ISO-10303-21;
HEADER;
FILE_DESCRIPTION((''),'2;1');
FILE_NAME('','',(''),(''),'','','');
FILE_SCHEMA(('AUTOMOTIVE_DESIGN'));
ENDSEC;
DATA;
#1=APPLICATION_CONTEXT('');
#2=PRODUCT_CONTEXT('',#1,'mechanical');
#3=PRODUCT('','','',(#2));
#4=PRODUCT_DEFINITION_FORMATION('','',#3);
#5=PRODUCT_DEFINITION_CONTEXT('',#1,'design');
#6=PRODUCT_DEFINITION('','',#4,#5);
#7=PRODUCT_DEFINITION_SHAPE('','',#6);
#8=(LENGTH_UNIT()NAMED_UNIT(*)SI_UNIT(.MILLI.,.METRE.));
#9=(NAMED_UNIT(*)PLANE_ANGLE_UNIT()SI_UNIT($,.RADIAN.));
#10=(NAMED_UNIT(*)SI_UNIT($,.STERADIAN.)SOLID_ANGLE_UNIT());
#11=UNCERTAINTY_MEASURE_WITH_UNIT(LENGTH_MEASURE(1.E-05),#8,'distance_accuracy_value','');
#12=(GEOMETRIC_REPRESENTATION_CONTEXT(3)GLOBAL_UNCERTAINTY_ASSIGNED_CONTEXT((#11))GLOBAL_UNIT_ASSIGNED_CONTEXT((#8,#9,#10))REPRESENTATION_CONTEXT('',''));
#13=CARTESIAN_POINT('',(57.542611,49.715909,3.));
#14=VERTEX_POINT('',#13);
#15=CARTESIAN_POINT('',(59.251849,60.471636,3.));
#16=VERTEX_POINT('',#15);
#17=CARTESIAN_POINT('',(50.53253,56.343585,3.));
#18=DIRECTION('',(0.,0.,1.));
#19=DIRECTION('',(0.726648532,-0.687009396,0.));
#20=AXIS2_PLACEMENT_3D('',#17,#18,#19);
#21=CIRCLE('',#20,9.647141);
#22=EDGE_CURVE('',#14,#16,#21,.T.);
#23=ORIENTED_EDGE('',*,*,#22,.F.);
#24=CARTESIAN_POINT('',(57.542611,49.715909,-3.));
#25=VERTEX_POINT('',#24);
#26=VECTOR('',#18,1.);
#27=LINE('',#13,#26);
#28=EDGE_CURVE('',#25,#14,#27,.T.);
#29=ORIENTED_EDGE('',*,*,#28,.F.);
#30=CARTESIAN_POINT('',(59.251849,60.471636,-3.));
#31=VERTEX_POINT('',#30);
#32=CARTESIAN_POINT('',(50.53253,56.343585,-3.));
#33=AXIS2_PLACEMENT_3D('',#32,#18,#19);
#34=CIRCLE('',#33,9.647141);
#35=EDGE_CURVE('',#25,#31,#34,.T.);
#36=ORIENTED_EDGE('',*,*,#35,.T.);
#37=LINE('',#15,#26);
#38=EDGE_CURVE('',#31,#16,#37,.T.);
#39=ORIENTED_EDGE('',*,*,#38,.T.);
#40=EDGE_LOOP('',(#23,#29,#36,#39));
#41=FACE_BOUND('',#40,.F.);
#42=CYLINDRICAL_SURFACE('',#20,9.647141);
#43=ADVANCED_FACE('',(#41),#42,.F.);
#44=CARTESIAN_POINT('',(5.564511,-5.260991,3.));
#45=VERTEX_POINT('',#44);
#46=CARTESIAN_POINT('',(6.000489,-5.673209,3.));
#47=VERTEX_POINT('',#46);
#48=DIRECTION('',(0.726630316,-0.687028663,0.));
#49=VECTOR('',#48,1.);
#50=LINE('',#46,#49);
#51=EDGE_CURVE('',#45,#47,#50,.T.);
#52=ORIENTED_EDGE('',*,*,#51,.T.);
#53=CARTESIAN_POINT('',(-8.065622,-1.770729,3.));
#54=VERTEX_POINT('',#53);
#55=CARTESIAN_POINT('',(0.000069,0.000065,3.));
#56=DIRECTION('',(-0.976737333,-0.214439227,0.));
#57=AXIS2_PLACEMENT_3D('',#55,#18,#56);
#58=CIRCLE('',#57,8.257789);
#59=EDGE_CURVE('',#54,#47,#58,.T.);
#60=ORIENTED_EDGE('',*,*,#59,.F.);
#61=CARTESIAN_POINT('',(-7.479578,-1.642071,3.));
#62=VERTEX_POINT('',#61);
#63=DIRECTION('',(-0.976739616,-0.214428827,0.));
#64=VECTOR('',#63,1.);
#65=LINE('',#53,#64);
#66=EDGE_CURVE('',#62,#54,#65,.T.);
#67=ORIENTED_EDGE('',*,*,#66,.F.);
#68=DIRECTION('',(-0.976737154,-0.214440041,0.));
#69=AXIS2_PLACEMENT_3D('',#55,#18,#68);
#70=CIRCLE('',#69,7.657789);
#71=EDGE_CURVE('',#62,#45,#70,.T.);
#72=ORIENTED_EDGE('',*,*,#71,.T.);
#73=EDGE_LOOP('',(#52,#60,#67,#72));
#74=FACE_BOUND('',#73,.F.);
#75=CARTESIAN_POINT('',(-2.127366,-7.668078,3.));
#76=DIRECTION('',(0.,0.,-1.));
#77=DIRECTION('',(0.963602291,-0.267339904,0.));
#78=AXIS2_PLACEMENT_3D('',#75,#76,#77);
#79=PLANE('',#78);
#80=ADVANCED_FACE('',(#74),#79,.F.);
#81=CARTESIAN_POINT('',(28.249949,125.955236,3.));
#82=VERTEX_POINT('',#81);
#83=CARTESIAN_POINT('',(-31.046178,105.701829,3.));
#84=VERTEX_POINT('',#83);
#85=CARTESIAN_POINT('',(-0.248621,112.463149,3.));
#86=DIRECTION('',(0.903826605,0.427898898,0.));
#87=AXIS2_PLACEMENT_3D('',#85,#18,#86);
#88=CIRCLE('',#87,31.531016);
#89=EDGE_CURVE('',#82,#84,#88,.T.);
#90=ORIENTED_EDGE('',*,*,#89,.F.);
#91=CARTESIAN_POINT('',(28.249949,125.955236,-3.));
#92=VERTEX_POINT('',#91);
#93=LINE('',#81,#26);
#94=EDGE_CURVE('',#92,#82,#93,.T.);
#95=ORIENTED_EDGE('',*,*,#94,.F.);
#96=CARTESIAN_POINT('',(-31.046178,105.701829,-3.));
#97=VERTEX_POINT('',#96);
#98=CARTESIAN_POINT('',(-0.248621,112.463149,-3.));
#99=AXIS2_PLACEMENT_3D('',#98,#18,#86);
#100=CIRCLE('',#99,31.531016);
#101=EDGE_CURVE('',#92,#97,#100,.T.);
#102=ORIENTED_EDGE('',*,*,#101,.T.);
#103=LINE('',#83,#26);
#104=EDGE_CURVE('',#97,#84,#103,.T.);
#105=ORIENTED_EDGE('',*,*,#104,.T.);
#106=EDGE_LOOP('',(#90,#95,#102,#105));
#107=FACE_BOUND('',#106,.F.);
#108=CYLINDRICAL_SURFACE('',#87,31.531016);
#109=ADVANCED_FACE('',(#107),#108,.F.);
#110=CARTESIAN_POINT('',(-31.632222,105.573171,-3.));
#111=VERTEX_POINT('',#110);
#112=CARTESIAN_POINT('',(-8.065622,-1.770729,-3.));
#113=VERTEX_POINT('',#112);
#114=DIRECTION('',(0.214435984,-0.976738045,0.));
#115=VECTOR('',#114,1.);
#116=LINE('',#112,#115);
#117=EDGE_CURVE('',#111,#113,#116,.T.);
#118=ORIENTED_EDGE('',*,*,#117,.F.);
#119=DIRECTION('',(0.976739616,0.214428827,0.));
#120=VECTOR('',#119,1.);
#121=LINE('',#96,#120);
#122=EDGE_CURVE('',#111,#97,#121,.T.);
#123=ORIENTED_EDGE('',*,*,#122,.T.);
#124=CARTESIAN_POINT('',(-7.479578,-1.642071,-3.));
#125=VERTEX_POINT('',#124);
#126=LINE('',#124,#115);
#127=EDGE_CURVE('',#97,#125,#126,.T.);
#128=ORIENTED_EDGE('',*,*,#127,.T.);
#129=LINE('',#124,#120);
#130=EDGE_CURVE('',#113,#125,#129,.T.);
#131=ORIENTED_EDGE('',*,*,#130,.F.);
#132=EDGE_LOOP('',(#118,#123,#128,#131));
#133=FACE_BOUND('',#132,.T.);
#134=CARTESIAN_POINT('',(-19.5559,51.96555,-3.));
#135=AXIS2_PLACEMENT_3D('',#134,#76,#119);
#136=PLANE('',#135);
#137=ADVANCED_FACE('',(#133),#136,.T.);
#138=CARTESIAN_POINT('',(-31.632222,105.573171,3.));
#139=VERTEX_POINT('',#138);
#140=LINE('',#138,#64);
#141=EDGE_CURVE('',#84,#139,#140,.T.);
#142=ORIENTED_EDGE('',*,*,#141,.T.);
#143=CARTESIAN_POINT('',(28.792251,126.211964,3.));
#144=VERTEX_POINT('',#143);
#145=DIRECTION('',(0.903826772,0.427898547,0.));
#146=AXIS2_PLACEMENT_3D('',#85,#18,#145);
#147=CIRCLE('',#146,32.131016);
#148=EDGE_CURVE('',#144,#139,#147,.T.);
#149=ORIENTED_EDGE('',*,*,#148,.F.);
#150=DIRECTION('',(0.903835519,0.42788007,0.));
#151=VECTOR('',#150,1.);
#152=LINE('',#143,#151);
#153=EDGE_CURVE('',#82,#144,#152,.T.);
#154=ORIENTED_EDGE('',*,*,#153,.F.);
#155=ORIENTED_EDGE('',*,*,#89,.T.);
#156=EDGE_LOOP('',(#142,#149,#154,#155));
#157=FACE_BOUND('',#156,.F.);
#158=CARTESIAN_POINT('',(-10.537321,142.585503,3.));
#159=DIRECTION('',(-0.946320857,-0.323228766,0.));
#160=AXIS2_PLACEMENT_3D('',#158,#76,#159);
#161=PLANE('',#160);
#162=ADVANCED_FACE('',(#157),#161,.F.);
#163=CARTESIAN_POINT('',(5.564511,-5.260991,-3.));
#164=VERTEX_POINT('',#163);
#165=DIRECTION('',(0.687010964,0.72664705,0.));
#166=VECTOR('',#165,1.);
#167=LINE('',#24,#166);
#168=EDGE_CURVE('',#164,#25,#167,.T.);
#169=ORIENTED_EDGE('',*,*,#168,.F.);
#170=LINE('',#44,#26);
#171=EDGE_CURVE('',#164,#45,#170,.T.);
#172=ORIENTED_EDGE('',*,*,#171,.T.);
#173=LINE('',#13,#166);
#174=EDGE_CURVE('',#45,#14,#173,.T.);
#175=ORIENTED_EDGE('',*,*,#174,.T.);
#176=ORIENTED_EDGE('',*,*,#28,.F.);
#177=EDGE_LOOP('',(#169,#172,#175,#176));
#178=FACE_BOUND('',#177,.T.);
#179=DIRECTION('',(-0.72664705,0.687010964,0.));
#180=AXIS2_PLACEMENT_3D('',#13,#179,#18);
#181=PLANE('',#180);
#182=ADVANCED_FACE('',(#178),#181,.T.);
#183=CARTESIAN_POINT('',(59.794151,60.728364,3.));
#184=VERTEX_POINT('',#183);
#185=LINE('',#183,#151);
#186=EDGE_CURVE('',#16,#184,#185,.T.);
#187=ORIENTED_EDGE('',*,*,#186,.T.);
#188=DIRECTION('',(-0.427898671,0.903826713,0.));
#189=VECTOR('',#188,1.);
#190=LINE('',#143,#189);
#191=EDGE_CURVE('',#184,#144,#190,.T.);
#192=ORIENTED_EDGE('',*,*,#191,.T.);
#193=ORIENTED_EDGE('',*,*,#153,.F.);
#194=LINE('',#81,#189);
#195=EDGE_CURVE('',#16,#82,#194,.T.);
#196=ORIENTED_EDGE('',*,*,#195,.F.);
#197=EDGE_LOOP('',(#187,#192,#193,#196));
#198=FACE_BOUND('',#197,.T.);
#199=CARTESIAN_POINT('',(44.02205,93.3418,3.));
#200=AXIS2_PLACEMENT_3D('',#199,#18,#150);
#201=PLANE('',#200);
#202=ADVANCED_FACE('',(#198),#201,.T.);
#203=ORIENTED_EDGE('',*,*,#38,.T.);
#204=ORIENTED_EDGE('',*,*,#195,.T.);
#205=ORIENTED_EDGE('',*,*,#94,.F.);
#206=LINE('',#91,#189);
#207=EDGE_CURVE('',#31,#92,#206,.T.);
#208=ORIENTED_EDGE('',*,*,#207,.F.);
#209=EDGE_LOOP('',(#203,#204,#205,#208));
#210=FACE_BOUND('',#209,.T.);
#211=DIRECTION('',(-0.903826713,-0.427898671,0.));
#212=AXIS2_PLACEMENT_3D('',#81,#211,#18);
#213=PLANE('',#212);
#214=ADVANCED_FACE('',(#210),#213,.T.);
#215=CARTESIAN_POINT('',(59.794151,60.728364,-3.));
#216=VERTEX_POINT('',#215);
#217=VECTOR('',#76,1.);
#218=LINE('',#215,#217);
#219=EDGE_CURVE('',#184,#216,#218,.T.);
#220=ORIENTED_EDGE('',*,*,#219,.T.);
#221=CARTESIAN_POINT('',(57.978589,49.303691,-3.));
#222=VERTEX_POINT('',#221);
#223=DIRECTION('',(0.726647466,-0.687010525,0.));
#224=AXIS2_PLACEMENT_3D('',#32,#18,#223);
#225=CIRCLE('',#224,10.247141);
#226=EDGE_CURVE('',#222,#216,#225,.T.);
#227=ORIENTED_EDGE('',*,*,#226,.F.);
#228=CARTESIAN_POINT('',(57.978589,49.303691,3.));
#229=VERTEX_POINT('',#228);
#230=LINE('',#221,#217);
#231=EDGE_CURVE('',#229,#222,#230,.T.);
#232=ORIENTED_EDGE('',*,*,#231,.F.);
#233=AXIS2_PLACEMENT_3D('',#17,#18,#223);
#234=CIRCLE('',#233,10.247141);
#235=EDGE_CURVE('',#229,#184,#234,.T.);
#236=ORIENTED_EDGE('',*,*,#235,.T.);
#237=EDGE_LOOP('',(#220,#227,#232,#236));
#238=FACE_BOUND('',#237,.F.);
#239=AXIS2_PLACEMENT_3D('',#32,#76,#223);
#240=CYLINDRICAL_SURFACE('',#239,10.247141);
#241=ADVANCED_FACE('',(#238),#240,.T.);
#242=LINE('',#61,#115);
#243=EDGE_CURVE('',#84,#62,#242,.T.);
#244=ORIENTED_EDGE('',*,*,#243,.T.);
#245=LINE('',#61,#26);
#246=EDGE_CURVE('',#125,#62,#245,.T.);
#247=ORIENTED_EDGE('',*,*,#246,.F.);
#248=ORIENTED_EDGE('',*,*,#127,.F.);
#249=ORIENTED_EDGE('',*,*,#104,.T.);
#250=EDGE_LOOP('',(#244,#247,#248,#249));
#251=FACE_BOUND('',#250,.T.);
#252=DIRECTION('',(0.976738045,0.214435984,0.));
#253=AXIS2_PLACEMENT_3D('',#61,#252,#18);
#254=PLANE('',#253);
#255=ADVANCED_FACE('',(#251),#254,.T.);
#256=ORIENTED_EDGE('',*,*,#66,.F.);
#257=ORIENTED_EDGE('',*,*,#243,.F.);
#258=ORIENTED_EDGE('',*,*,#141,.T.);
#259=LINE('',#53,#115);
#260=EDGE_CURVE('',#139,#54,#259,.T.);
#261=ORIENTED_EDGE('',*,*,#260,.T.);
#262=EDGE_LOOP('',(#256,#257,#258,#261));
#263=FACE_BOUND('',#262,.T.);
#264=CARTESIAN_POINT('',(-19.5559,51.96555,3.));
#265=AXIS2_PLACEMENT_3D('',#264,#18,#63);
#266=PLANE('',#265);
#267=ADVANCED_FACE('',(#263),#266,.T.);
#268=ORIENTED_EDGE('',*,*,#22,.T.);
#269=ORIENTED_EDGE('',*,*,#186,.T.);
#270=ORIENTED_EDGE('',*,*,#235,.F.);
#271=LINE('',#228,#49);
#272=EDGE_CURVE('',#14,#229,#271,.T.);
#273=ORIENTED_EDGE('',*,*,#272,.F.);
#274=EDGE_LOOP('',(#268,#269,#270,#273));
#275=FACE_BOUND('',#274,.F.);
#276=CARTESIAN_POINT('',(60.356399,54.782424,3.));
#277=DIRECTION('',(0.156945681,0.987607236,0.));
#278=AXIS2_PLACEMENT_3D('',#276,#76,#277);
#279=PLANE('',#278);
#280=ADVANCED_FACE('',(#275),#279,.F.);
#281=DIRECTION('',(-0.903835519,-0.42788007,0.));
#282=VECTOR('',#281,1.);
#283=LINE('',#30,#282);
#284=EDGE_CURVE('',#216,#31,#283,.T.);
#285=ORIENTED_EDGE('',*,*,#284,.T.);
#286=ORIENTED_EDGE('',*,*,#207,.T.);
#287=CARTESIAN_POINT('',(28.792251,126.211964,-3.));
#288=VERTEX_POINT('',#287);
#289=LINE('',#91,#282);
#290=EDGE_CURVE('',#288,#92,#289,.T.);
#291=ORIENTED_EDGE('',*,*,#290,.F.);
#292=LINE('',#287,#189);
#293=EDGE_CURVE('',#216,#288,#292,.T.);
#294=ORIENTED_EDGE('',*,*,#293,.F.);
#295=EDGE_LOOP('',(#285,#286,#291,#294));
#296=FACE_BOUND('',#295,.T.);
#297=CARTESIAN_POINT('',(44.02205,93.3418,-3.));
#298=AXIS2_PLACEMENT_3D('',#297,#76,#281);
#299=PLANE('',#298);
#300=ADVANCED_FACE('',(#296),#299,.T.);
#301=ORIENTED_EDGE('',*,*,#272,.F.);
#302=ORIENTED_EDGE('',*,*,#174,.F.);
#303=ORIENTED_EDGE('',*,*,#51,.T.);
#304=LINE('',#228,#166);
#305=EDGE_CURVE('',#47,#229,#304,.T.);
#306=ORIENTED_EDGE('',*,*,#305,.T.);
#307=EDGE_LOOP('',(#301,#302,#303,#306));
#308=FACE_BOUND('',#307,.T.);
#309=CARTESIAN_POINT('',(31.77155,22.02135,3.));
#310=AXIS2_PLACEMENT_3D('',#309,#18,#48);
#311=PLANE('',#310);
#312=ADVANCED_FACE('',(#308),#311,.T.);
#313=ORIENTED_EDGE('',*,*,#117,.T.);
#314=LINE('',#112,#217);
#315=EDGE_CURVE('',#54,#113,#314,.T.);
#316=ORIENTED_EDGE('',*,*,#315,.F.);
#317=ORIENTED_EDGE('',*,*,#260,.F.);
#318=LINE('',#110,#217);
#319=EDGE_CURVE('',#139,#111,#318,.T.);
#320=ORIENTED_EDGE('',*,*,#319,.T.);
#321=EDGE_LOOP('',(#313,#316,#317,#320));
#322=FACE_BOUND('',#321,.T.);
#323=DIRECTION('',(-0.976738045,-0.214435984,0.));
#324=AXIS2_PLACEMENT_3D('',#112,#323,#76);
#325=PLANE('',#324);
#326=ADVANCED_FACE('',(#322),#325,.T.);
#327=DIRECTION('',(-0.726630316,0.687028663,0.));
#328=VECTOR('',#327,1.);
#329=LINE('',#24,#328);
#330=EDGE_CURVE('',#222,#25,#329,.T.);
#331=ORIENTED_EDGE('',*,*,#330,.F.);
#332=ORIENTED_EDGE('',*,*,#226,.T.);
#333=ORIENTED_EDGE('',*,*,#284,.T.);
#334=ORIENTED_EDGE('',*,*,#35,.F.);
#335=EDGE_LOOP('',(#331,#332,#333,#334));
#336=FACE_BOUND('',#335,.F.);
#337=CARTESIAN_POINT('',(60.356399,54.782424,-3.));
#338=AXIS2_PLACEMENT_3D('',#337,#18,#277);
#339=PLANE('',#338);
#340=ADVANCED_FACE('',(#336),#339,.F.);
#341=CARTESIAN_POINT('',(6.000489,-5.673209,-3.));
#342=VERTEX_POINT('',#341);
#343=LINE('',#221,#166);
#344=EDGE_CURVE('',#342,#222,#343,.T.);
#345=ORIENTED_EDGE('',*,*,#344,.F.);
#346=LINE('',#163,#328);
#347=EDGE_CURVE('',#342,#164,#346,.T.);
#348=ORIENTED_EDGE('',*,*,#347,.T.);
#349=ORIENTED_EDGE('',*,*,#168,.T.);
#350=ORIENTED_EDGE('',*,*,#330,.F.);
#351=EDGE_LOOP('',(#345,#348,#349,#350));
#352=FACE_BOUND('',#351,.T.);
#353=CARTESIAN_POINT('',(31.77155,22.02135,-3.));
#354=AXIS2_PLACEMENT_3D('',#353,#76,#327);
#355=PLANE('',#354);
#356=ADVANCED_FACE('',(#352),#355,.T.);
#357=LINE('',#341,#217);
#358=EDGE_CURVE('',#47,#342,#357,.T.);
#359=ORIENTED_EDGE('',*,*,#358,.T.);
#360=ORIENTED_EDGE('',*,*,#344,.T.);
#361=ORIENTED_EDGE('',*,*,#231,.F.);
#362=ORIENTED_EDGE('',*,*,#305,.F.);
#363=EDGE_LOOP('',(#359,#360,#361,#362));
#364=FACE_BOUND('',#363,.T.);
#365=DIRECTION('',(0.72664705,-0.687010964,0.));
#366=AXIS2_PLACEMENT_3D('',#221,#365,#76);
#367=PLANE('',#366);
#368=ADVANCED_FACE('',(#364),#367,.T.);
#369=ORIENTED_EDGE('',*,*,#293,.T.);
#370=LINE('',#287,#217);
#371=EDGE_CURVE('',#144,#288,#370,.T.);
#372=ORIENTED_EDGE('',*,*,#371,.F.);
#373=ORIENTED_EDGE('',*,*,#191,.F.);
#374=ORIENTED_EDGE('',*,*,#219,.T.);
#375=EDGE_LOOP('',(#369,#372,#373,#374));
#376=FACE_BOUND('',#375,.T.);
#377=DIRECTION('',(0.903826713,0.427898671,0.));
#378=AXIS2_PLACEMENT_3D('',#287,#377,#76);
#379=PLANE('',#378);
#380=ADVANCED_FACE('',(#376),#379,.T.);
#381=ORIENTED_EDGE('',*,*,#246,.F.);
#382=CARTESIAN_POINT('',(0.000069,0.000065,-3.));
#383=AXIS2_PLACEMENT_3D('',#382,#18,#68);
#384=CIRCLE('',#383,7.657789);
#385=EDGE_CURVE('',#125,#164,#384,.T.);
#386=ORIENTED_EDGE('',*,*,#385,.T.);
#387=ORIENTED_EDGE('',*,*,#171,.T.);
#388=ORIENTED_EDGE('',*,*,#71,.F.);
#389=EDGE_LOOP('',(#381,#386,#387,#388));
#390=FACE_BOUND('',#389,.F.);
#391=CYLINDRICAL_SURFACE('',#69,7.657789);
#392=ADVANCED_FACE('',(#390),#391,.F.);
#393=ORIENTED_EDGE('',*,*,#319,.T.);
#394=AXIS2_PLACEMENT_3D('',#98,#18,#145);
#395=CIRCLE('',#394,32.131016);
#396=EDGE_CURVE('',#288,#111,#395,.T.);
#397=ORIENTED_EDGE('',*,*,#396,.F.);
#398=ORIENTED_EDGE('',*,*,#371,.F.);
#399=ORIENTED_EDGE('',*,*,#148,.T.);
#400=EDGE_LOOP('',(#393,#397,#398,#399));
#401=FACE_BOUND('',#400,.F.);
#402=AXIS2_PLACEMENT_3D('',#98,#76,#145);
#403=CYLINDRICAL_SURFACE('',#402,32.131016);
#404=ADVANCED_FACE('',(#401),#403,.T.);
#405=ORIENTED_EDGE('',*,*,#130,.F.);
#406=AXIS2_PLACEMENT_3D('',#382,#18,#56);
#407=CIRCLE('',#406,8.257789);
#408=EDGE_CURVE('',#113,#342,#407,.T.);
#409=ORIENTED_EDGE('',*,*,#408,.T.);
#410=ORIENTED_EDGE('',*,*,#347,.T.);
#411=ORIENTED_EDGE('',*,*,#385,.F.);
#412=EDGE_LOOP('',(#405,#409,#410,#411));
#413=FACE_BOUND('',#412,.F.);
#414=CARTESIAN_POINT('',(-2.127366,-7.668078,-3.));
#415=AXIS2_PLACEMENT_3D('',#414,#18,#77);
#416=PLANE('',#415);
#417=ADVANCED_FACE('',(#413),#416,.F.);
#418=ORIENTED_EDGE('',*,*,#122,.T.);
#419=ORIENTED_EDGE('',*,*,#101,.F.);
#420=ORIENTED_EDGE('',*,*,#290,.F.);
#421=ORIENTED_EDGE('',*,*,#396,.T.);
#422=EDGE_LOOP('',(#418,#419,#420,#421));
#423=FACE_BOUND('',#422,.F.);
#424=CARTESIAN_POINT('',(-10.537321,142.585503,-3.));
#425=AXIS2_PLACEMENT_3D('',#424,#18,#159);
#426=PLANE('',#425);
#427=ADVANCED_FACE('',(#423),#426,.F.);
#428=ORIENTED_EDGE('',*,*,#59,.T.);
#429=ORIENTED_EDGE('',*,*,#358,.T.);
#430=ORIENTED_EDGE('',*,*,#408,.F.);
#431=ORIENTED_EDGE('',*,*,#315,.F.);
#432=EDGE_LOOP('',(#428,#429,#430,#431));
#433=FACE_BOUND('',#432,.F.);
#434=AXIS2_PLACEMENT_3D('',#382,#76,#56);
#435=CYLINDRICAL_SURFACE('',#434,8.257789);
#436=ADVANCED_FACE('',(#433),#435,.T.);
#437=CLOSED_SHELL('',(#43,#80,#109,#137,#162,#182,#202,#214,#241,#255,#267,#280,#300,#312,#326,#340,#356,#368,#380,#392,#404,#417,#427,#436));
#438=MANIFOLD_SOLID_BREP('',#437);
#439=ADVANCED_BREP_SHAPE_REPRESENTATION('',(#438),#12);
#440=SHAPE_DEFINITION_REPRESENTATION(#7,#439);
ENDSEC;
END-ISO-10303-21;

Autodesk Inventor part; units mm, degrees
sketch "Sketch Path" plane through (0, 0, 0) normal (0, 0, 1) x (1, 0, 0)
  arc A0 (-7.7726, -1.7064) -> (5.7825, -5.4671) centre (0, 0) ccw
  arc A1 (28.5211, 126.0836) -> (-31.3392, 105.6375) centre (-0.2486, 112.4632) ccw
  arc A2 (57.7606, 49.5098) -> (59.523, 60.6) centre (50.5325, 56.3436) ccw
  line L0 (57.7606, 49.5098) -> (5.7825, -5.4671)
  line L1 (-7.7726, -1.7064) -> (-31.3392, 105.6375)
  line L2 (28.5211, 126.0836) -> (59.523, 60.6)
ref_plane "Cross Section Plane" through (5.7825, -5.4671, 0) normal (0.687, 0.7266, 0) x (0, 0, 1)
ref_plane "Work Plane2" through (0, 0, 0) normal (-1, 0, 0) x (0, 0, 1)
ref_plane "Work Plane3" through (-0.2486, 112.4632, 0) normal (0.1583, -0.9874, 0) x (0, 0, 1)
ref_plane "Work Plane4" through (50.5325, 56.3436, 0) normal (-0.2812, 0.9597, 0) x (0, 0, 1)
sketch "Cross Section" plane through (5.7825, -5.4671, 0) normal (0.687, 0.7266, 0) x (0, 0, 1)
  line L0 (-3, 0.3) -> (3, 0.3)
  line L1 (3, 0.3) -> (3, -0.3)
  line L2 (3, -0.3) -> (-3, -0.3)
  line L3 (-3, -0.3) -> (-3, 0.3)
  line L4 (-3, 0) -> (3, 0) construction
  point P0 (0, 0)
  point P1 (0, 0)
  dimension "d0" = 6
  dimension "d4" = 0.3
  dimension "d5" = 0.3
sweep "Belt" add profiles "Cross Section" path "Sketch Path"
equation "\"d0\" = da_B"
equation "\"d4\" = da_a"
equation "\"d5\" = da_a2"
equation "\"da_B\" = 6"
equation "\"da_pb\" = 2.5"
equation "\"da_a\" = 0.3"
equation "\"da_S\" = 1.5"
equation "\"da_Beta\" = 20deg"
equation "\"da_Ht\" = 0.7"
equation "\"da_H\" = 1.3"
equation "\"da_a2\" = 0.3"
properties part number "Synchronous Belt" material "Rubber"
